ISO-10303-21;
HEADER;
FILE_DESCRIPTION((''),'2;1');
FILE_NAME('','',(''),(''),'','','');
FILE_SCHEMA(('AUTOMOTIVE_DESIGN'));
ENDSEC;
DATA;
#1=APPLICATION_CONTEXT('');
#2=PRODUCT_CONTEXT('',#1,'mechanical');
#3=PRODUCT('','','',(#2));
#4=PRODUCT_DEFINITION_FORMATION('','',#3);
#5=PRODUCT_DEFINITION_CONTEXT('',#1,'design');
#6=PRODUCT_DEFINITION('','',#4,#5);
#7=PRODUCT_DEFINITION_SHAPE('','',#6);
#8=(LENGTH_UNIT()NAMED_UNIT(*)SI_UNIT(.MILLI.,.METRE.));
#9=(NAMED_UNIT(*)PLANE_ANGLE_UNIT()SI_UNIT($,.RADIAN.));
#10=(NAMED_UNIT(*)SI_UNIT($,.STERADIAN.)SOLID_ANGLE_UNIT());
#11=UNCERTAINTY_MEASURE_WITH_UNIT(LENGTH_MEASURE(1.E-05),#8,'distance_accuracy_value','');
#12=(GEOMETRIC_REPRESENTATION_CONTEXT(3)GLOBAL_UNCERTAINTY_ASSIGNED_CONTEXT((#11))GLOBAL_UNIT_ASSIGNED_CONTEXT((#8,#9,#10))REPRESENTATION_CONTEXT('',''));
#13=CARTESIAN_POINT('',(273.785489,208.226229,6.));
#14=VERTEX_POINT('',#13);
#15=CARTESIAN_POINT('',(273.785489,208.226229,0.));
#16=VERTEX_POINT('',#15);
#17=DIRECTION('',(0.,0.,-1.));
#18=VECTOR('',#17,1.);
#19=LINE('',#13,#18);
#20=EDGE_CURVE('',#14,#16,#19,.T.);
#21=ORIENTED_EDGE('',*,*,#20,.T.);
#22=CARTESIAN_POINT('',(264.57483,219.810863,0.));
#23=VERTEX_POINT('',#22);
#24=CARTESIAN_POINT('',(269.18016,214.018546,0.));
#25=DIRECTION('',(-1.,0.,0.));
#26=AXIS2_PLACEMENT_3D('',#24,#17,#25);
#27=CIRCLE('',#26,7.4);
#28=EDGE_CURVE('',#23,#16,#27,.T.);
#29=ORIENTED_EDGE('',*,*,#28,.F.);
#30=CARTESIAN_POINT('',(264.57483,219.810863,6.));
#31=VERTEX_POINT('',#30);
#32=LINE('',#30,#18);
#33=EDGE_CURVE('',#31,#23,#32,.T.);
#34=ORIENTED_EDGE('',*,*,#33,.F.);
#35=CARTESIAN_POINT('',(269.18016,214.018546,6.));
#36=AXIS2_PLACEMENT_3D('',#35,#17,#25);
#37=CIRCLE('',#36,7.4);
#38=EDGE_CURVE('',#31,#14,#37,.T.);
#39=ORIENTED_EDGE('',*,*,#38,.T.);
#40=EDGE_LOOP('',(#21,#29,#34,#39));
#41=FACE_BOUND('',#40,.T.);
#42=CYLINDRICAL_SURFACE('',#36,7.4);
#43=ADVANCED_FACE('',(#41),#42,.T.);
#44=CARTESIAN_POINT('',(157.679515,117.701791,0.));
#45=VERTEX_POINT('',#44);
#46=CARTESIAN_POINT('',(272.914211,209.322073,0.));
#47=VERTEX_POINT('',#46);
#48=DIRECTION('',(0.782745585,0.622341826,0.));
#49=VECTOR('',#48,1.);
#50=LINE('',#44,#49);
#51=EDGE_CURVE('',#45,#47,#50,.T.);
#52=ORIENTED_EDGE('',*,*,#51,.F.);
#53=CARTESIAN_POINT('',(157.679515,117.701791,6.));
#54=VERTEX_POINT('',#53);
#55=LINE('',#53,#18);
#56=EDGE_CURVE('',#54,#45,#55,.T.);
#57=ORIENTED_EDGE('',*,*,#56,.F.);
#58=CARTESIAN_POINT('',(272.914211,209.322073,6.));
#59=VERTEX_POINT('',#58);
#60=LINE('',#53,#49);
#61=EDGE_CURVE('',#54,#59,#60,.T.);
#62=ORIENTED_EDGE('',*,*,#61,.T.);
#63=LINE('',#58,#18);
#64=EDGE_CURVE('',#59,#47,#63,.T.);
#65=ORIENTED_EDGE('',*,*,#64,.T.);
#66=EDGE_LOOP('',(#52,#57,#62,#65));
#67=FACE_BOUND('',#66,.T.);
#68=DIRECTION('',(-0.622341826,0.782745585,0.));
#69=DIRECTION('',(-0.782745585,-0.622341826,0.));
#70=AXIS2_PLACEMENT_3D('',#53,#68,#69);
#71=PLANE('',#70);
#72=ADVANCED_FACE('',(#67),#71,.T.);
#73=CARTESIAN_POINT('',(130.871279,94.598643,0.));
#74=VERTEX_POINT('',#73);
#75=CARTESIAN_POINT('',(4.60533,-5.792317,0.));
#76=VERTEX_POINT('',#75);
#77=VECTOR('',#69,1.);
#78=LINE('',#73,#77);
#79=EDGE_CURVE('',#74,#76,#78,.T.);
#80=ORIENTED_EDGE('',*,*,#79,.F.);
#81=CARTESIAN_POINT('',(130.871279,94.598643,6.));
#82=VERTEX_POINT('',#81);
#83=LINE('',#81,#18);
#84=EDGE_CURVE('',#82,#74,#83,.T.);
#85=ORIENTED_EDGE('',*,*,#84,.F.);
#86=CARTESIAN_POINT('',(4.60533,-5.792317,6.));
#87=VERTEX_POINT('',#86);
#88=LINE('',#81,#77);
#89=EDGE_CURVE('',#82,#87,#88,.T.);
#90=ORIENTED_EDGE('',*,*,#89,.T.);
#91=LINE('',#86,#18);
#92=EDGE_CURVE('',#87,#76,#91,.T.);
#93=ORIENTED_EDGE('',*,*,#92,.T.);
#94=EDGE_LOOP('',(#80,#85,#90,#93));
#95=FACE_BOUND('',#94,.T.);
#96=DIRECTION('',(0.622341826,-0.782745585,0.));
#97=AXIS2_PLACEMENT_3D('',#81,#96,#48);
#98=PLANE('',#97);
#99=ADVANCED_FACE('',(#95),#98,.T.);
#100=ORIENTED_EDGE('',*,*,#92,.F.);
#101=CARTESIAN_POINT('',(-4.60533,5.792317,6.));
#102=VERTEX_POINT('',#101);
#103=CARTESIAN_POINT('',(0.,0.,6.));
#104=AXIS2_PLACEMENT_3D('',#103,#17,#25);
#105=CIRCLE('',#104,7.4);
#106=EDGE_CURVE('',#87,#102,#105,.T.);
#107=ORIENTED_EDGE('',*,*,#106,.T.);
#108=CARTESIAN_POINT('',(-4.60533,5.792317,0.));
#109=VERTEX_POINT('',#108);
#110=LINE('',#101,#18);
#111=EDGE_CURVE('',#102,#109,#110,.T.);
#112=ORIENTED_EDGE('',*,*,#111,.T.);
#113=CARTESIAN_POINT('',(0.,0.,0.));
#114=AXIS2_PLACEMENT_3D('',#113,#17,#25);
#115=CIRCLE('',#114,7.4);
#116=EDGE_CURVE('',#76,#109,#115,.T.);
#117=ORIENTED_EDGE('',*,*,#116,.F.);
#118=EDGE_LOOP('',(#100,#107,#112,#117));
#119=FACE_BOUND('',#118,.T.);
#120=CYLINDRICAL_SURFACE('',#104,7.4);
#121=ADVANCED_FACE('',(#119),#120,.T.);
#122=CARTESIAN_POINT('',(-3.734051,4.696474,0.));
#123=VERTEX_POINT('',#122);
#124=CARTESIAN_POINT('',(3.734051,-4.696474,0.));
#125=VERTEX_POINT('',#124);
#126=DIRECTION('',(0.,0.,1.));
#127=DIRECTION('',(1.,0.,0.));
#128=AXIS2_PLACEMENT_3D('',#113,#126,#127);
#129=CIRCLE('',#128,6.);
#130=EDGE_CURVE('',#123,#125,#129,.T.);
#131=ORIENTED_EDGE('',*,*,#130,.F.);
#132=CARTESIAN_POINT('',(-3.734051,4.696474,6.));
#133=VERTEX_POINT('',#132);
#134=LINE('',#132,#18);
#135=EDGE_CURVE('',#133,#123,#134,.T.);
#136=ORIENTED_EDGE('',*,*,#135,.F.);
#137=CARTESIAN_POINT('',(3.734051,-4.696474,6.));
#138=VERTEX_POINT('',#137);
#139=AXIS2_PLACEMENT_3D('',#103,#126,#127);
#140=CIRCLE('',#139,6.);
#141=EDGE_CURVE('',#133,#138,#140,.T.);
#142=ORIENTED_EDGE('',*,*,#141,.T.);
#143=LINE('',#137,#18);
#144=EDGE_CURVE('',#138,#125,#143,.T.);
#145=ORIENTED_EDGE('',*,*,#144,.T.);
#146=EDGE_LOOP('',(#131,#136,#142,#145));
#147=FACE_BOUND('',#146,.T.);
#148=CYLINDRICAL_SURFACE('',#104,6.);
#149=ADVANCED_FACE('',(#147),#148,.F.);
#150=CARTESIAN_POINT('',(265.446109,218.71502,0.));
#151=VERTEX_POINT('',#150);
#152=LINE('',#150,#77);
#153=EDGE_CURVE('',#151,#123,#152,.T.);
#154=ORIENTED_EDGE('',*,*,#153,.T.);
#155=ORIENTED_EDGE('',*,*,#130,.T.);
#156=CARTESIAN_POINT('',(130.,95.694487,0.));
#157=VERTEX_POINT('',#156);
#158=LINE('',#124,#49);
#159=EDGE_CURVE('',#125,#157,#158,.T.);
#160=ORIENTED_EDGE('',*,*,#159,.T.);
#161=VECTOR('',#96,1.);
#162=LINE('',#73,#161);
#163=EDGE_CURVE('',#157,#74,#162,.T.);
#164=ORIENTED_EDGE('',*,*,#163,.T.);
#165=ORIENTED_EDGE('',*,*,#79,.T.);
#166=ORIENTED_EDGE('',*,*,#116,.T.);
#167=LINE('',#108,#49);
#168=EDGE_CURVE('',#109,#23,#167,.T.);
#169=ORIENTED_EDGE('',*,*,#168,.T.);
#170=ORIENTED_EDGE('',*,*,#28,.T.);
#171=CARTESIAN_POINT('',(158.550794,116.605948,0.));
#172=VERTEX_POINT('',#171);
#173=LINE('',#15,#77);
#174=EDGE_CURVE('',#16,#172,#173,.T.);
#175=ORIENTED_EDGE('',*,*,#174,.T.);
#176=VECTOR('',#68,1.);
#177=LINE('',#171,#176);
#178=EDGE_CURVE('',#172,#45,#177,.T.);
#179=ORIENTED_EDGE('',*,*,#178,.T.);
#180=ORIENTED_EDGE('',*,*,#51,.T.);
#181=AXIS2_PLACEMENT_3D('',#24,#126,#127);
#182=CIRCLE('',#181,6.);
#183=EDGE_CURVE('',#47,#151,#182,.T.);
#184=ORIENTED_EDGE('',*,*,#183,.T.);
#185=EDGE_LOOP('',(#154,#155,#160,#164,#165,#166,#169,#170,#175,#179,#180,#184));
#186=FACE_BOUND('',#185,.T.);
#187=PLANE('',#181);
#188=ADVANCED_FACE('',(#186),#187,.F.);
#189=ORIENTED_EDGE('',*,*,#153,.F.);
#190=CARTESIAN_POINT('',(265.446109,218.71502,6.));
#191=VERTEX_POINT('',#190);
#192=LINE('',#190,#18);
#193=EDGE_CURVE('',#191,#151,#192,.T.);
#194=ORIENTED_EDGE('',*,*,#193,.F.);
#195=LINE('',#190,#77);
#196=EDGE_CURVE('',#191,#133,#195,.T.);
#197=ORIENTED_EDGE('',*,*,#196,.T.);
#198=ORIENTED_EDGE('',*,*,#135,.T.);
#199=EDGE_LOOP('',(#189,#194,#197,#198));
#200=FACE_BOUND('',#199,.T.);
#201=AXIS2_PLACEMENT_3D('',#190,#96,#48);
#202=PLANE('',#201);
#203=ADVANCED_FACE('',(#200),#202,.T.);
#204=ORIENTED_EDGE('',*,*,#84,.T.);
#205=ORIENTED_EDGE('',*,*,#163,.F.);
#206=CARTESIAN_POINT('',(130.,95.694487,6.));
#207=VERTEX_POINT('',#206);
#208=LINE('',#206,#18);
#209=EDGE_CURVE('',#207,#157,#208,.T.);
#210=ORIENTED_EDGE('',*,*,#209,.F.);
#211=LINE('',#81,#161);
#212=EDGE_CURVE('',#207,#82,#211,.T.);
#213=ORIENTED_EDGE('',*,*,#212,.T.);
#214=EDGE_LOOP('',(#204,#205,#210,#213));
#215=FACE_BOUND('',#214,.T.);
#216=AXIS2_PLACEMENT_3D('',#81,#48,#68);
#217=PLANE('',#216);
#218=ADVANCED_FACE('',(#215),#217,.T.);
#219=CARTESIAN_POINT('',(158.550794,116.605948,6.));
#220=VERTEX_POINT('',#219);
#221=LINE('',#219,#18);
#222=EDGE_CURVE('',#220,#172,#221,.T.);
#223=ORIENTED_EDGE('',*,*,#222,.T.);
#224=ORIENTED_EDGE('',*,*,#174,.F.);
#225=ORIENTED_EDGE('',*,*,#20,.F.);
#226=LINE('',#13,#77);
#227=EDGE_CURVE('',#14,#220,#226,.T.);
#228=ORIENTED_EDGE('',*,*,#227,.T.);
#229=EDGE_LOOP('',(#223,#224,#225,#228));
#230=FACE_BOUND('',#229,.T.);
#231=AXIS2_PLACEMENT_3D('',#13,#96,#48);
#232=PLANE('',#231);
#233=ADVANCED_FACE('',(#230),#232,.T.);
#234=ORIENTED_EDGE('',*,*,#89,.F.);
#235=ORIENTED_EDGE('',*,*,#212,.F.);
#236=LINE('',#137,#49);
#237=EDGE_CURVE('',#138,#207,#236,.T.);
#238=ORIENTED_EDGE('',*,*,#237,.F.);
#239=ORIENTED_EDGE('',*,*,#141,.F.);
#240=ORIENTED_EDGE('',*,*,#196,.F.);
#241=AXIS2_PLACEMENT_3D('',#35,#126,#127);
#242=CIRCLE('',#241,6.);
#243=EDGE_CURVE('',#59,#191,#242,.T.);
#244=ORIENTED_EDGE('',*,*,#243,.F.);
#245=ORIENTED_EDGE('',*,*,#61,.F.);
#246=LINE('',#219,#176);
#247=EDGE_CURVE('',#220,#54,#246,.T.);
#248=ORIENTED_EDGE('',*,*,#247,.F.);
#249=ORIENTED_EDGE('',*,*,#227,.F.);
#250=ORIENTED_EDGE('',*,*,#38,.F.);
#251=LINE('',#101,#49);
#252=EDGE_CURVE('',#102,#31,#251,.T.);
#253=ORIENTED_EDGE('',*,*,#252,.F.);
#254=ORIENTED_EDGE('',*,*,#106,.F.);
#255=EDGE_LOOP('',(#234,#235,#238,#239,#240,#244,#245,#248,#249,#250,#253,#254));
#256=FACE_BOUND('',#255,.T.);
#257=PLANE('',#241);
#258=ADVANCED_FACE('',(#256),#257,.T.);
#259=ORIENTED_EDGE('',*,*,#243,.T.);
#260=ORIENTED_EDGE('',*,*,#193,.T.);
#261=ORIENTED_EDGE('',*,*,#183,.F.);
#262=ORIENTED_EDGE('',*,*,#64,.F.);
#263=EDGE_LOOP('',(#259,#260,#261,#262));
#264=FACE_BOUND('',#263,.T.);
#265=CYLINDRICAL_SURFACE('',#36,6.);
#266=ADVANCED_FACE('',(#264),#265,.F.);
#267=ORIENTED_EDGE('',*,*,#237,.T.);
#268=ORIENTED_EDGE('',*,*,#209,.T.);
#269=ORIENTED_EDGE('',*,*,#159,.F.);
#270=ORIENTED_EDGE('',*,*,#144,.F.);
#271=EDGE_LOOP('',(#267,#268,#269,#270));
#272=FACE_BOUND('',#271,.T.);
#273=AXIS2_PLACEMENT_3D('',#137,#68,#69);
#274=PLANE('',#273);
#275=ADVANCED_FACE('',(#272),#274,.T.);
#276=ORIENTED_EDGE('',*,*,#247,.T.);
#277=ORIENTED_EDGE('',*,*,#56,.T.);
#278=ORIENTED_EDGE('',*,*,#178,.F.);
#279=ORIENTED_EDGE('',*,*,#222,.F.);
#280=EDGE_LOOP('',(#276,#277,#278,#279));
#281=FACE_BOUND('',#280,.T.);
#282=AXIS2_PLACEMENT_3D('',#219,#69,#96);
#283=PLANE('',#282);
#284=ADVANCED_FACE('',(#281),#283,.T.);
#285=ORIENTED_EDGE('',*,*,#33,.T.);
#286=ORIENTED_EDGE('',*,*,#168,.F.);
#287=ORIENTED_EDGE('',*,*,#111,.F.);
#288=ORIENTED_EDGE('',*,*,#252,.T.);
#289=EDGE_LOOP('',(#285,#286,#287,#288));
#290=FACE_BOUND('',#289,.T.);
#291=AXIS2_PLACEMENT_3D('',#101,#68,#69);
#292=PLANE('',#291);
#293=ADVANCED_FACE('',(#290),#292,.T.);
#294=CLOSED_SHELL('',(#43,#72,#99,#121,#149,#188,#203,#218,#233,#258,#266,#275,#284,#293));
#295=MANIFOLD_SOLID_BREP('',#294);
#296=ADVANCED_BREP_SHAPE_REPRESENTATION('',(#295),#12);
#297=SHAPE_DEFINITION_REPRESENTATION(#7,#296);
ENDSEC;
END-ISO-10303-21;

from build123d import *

# Parameters (mm, degrees)
EXTRUDE_1_DEPTH = 6


with BuildPart() as part:
    # Эскиз1 → Бобышка-Вытянуть1 (new body)
    with BuildSketch(Plane(origin=(0, 0, 0), x_dir=(-1, 0, 0), z_dir=(0, 0, -1))):
        with BuildLine():
            Line((-265.446108594, 218.715019647), (3.734050958, 4.696473511))
            ThreePointArc((3.734050958, 4.696473511), (4.696473511, -3.734050958), (-3.734050958, -4.696473511))
            Line((-3.734050958, -4.696473511), (-130, 95.694487269))
            Line((-130, 95.694487269), (-130.871278557, 94.598643449))
            Line((-130.871278557, 94.598643449), (-4.605329515, -5.79231733))
            ThreePointArc((-4.605329515, -5.79231733), (5.79231733, -4.605329515), (4.605329515, 5.79231733))
            Line((4.605329515, 5.79231733), (-264.574830037, 219.810863466))
            ThreePointArc((-264.574830037, 219.810863466), (-274.972476883, 218.623875651), (-273.785489068, 208.226228806))
            Line((-273.785489068, 208.226228806), (-158.550793978, 116.60594762))
            Line((-158.550793978, 116.60594762), (-157.679515421, 117.70179144))
            Line((-157.679515421, 117.70179144), (-272.914210511, 209.322072625))
            ThreePointArc((-272.914210511, 209.322072625), (-273.876633064, 217.752597094), (-265.446108594, 218.715019647))
        make_face()
    extrude(amount=-EXTRUDE_1_DEPTH)


solid = part.part
